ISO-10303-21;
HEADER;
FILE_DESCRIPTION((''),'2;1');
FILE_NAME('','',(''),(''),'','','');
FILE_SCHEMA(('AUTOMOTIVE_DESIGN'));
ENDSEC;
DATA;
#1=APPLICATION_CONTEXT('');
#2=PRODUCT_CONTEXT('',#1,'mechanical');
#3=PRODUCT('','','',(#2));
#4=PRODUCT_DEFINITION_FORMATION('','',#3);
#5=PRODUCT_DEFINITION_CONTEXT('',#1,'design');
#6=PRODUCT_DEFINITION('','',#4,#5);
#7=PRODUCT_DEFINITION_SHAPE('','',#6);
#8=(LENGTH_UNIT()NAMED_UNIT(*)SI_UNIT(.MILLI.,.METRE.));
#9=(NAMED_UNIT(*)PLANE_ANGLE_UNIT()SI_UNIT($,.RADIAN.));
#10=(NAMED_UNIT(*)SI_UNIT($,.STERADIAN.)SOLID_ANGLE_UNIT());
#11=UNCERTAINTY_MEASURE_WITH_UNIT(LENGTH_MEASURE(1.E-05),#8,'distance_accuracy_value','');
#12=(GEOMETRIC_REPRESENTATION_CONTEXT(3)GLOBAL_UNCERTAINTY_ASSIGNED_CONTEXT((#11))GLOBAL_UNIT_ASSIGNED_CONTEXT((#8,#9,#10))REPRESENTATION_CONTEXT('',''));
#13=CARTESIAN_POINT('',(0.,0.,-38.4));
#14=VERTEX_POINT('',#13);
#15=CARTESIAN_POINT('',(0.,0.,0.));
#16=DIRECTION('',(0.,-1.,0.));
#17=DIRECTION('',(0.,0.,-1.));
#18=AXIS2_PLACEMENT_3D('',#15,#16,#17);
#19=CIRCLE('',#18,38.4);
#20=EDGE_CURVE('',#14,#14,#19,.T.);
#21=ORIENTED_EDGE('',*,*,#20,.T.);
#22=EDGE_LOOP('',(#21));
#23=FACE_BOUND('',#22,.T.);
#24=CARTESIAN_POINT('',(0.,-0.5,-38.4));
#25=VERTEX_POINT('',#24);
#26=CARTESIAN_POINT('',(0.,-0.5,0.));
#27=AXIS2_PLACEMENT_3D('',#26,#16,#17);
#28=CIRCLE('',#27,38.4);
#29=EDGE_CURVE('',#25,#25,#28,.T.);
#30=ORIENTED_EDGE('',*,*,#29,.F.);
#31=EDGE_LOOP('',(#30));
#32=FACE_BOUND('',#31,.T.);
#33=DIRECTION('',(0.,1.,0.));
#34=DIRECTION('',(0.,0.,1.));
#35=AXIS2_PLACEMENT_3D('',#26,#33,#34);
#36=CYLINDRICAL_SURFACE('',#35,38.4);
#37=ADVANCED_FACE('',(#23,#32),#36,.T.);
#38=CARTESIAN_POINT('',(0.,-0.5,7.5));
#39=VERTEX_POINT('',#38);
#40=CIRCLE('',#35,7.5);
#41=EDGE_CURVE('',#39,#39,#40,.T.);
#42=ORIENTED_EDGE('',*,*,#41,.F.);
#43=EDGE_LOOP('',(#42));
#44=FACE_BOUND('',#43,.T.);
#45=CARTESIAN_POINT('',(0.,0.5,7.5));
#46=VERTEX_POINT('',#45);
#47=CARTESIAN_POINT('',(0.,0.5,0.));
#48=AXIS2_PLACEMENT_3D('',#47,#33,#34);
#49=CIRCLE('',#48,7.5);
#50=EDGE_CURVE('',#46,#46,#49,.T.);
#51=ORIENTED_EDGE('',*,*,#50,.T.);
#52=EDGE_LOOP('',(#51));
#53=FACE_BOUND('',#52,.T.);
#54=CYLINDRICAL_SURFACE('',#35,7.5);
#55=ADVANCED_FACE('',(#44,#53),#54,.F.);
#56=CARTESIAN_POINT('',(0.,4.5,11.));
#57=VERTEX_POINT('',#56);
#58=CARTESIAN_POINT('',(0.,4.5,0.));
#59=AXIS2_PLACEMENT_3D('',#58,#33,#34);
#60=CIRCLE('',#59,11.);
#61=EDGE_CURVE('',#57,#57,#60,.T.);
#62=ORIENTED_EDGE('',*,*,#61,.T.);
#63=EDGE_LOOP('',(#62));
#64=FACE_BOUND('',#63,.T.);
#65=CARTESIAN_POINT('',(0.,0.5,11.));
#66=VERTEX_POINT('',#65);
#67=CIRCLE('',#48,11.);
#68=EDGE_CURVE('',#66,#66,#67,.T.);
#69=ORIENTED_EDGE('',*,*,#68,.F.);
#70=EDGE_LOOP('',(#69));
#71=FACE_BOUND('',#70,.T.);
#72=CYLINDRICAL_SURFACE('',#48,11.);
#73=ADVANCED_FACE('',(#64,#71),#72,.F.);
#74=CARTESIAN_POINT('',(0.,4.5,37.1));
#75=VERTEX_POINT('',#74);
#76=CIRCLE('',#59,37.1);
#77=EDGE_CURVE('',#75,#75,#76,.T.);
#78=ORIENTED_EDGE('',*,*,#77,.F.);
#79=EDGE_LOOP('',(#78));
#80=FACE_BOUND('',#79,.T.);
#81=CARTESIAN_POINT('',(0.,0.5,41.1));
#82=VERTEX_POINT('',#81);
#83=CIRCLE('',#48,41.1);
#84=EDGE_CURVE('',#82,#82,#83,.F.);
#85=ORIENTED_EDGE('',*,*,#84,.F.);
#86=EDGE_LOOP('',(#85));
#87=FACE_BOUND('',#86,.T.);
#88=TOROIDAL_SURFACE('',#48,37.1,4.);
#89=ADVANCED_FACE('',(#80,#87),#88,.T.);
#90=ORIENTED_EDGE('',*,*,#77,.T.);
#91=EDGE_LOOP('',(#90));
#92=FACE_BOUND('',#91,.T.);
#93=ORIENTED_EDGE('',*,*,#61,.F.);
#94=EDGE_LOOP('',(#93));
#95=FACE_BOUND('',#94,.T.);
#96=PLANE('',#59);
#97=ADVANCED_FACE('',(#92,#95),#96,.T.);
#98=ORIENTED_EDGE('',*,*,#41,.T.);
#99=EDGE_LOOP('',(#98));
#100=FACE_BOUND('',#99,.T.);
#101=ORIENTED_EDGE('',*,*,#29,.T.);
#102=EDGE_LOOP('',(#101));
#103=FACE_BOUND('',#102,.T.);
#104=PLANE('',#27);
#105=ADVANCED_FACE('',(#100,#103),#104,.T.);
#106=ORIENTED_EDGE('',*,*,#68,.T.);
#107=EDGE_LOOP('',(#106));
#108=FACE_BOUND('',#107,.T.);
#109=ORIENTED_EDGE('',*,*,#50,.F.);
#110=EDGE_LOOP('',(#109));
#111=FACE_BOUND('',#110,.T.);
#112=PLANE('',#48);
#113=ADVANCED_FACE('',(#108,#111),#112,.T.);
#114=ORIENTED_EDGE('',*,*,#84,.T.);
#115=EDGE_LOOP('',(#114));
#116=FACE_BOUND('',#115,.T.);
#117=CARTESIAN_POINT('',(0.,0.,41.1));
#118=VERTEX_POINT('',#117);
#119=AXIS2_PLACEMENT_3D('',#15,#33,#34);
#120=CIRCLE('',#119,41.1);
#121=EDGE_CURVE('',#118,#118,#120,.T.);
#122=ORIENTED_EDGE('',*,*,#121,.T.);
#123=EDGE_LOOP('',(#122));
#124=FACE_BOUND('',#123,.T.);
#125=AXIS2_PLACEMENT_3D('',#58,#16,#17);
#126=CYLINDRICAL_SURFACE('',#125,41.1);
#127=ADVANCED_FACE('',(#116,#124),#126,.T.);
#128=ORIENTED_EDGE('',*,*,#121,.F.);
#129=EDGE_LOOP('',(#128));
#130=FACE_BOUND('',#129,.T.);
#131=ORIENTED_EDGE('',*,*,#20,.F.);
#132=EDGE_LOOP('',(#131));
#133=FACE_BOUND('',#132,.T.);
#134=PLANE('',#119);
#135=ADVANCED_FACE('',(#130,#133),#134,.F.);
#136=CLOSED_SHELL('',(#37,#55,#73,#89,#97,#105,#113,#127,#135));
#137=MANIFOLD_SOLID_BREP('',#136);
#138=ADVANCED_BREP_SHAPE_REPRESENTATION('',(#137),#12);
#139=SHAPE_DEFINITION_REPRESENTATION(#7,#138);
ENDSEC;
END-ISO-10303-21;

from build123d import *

# Parameters (mm, degrees)
SKETCH1_R           = 41.1
BOSS_EXTRUDE1_DEPTH = 4.5
SKETCH5_R           = 38.4
BOSS_EXTRUDE3_DEPTH = 0.5
SKETCH2_R           = 11
SKETCH2_R_2         = 4.5
CUT_EXTRUDE1_DEPTH  = 4
SKETCH3_R           = 7.5
CUT_EXTRUDE2_DEPTH  = 59.261651195
FILLET1_R           = 4


with BuildPart() as part:
    # Sketch1 → Boss-Extrude1 (new body)
    with BuildSketch(Plane(origin=(0, 0, 0), x_dir=(1, 0, 0), z_dir=(0, 1, 0))):
        with Locations(Location((0, 0, 0), (0, 0, 270))):
            Circle(SKETCH1_R)
    extrude(amount=BOSS_EXTRUDE1_DEPTH)

    # Sketch5 → Boss-Extrude3 (add)
    with BuildSketch(Plane.XZ):
        with Locations(Location((0, 0, 0), (0, 0, 270))):
            Circle(SKETCH5_R)
    extrude(amount=BOSS_EXTRUDE3_DEPTH)

    # Sketch2 → Cut-Extrude1 (cut)
    # profile 1 of 2: a face of its own
    with BuildSketch(Plane(origin=(0, 4.5, 0), x_dir=(1, 0, 0), z_dir=(0, 1, 0))):
        with Locations(Location((0, 0, 0), (0, 0, 270))):
            Circle(SKETCH2_R)
        Circle(SKETCH2_R_2, mode=Mode.SUBTRACT)
    # profile 2 of 2: a face of its own
    with BuildSketch(Plane(origin=(0, 4.5, 0), x_dir=(1, 0, 0), z_dir=(0, 1, 0))):
        Circle(SKETCH2_R_2)
    extrude(amount=-CUT_EXTRUDE1_DEPTH, mode=Mode.SUBTRACT)

    # Sketch3 → Cut-Extrude2 (cut, through all)
    with BuildSketch(Plane(origin=(0, 0.5, 0), x_dir=(1, 0, 0), z_dir=(0, 1, 0))):
        with Locations(Location((0, 0, 0), (0, 0, 270))):
            Circle(SKETCH3_R)
    extrude(amount=-CUT_EXTRUDE2_DEPTH, mode=Mode.SUBTRACT)

    # Fillet1
    fillet1_edges = [part.edges().sort_by_distance(p)[0] for p in [
        (0, 4.5, -41.1),
    ]]
    fillet(fillet1_edges, radius=FILLET1_R)


solid = part.part
